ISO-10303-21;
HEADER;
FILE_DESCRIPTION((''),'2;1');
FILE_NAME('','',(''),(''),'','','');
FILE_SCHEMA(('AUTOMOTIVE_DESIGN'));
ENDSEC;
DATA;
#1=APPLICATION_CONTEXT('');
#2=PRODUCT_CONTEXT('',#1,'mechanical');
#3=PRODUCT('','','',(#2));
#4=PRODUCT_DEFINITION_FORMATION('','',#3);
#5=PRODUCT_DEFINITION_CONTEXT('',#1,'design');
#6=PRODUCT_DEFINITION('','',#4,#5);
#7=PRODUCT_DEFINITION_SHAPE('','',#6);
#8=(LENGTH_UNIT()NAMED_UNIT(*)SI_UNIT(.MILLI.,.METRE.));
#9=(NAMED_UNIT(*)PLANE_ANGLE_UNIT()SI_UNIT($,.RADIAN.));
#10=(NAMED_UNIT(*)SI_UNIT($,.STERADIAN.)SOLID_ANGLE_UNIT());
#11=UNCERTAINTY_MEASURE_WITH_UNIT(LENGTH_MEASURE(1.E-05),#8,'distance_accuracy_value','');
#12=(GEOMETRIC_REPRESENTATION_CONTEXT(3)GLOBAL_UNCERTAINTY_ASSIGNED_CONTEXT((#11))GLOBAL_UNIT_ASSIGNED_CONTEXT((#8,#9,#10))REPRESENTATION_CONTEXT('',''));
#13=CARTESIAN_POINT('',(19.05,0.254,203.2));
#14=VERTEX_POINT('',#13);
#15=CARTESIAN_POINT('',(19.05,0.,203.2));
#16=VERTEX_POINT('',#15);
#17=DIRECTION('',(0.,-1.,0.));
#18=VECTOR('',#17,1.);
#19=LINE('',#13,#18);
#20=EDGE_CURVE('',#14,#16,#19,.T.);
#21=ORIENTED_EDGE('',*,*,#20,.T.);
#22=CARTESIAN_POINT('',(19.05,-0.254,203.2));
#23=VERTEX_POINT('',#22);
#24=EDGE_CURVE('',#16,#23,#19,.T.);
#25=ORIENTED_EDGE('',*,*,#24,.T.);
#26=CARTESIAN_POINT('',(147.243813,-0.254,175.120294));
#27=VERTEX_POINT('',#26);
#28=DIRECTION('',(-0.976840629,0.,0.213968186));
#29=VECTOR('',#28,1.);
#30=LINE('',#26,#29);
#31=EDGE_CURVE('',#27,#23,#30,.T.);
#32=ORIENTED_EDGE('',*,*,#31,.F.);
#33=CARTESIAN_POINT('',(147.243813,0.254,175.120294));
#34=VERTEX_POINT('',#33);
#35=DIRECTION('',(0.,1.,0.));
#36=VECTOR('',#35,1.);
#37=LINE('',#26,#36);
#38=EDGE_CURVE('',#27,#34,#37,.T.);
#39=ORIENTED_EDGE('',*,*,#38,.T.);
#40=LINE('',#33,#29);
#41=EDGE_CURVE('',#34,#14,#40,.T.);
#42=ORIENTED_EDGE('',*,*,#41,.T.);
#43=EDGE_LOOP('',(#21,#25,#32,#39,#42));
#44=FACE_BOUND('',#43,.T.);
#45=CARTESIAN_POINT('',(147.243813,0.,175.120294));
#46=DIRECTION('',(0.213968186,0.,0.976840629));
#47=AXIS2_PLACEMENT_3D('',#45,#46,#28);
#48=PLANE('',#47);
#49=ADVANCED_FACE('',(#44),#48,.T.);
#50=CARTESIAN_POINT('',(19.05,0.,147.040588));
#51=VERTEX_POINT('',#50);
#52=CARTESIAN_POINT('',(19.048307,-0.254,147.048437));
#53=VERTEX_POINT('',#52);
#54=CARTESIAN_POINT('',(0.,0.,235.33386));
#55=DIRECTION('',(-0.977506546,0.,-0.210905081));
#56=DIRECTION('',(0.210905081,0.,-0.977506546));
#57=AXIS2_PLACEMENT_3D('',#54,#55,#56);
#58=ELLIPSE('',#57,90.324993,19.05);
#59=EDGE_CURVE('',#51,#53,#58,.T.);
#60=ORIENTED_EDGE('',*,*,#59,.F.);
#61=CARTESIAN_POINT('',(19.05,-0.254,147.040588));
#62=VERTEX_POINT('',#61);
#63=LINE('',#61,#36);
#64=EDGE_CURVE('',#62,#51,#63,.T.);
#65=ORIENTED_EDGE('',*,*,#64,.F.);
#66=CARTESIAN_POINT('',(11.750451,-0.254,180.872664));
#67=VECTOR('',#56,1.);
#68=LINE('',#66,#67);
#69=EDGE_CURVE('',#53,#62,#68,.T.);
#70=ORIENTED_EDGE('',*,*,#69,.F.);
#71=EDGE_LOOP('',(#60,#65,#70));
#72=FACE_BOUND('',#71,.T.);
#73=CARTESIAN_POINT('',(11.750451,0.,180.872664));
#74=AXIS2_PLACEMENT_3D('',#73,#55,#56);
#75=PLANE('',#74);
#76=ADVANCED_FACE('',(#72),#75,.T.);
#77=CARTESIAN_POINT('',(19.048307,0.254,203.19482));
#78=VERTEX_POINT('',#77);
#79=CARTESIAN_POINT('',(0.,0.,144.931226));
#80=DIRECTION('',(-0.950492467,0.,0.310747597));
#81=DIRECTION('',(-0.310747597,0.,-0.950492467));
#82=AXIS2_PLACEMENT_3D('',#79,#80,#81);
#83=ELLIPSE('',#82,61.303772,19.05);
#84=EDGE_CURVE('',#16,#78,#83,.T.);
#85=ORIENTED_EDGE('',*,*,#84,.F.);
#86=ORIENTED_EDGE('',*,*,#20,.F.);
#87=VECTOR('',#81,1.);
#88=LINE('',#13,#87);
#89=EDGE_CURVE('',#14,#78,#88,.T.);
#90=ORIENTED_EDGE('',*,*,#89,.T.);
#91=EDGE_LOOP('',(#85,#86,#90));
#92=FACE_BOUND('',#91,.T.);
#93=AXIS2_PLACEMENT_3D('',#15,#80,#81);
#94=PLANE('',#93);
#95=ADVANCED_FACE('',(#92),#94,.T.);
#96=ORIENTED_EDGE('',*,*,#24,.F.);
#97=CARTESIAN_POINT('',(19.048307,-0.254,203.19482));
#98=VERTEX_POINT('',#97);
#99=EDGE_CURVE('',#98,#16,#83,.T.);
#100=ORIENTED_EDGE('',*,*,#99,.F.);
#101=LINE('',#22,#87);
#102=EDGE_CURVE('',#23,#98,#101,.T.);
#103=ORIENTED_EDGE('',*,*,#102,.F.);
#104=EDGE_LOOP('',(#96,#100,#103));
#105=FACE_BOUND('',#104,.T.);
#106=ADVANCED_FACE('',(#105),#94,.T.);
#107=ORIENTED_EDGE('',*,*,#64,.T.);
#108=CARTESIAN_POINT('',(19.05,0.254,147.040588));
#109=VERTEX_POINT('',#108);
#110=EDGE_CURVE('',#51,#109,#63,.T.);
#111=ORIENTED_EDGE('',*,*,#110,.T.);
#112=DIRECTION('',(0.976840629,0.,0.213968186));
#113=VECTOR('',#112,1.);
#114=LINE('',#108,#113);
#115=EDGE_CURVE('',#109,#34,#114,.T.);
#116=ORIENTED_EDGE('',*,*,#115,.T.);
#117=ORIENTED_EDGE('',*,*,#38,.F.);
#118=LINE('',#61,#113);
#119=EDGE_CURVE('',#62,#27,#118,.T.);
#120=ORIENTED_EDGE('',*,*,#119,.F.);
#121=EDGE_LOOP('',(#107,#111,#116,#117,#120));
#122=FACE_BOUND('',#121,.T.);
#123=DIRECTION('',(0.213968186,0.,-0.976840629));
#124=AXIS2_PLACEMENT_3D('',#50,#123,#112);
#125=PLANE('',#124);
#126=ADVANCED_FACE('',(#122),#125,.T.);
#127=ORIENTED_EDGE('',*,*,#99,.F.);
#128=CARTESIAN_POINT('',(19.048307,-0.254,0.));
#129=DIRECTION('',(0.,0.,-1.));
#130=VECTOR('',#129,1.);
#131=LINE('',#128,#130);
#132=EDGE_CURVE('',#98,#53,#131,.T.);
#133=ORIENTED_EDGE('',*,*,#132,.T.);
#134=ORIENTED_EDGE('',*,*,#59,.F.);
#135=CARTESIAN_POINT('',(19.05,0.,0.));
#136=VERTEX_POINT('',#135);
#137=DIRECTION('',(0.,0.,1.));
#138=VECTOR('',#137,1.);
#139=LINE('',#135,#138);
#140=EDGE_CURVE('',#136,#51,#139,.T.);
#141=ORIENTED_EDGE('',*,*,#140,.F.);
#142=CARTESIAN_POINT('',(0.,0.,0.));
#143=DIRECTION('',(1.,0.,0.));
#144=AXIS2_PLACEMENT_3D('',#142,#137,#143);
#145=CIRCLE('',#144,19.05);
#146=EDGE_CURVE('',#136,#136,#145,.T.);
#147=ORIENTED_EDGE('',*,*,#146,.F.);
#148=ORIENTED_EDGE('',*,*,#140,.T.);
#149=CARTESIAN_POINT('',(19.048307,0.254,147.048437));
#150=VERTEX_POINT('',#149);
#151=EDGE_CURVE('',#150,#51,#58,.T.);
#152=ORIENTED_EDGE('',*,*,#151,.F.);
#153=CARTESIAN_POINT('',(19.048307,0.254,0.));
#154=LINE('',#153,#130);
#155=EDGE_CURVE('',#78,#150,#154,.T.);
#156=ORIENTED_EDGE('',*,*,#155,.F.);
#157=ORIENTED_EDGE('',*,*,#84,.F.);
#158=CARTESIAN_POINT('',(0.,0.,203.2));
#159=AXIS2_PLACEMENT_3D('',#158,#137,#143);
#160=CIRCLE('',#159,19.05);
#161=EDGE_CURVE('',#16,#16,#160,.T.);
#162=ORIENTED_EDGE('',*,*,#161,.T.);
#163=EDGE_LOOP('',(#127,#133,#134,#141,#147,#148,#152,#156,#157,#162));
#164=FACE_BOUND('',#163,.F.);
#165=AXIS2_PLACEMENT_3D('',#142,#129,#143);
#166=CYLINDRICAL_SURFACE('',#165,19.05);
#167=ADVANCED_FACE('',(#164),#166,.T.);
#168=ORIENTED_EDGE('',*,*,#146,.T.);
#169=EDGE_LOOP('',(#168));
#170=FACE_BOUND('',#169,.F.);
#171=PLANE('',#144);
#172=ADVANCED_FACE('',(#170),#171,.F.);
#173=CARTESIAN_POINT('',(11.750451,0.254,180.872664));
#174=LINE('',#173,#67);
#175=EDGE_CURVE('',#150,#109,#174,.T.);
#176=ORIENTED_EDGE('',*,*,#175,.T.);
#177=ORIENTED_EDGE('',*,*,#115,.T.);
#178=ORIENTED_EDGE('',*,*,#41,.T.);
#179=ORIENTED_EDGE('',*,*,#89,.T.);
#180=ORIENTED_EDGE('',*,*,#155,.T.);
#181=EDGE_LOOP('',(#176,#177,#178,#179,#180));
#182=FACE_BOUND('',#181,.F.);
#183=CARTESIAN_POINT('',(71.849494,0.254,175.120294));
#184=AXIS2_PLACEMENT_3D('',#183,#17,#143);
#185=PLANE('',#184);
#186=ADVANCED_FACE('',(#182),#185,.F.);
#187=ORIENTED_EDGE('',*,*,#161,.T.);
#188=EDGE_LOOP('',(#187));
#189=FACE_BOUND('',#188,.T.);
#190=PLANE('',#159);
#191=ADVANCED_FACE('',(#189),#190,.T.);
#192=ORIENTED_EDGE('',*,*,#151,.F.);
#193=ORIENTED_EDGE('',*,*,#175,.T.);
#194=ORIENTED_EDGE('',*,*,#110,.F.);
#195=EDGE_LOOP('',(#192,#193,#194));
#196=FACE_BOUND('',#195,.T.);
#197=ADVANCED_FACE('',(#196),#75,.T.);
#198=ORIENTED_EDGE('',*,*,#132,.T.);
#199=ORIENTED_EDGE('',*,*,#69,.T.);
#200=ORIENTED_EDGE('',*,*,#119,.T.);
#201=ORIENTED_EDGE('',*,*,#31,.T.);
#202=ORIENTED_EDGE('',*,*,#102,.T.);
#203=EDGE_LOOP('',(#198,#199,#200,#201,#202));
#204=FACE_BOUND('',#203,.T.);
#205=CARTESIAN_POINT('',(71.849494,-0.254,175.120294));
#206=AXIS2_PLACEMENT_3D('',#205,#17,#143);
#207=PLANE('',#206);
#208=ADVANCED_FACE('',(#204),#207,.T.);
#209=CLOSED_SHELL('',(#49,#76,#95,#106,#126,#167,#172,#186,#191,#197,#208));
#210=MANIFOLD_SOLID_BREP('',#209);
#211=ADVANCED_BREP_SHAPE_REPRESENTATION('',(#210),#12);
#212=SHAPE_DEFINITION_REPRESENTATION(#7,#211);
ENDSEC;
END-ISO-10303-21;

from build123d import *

# Parameters (mm, degrees)
F0_R     = 19.05
F1_DEPTH = 203.2
F3_DEPTH = 0.254


with BuildPart() as f1:
    # F0 (on Top) → F1 (new body)
    with BuildSketch(Plane.XY):
        Circle(F0_R)
    extrude(amount=F1_DEPTH)

    # F2 (on Front) → F3 (join, symmetric)
    with BuildSketch(Plane.XZ):
        Polygon((147.2438126802, 175.1202940941), (19.05, 203.2), (19.05, 147.0405881882), align=None)
        Polygon((19.05, 147.0405881882), (19.05, 203.2), (11.7504512891, 180.8726638556), align=None)
    extrude(amount=F3_DEPTH, both=True)


solid = f1.part
